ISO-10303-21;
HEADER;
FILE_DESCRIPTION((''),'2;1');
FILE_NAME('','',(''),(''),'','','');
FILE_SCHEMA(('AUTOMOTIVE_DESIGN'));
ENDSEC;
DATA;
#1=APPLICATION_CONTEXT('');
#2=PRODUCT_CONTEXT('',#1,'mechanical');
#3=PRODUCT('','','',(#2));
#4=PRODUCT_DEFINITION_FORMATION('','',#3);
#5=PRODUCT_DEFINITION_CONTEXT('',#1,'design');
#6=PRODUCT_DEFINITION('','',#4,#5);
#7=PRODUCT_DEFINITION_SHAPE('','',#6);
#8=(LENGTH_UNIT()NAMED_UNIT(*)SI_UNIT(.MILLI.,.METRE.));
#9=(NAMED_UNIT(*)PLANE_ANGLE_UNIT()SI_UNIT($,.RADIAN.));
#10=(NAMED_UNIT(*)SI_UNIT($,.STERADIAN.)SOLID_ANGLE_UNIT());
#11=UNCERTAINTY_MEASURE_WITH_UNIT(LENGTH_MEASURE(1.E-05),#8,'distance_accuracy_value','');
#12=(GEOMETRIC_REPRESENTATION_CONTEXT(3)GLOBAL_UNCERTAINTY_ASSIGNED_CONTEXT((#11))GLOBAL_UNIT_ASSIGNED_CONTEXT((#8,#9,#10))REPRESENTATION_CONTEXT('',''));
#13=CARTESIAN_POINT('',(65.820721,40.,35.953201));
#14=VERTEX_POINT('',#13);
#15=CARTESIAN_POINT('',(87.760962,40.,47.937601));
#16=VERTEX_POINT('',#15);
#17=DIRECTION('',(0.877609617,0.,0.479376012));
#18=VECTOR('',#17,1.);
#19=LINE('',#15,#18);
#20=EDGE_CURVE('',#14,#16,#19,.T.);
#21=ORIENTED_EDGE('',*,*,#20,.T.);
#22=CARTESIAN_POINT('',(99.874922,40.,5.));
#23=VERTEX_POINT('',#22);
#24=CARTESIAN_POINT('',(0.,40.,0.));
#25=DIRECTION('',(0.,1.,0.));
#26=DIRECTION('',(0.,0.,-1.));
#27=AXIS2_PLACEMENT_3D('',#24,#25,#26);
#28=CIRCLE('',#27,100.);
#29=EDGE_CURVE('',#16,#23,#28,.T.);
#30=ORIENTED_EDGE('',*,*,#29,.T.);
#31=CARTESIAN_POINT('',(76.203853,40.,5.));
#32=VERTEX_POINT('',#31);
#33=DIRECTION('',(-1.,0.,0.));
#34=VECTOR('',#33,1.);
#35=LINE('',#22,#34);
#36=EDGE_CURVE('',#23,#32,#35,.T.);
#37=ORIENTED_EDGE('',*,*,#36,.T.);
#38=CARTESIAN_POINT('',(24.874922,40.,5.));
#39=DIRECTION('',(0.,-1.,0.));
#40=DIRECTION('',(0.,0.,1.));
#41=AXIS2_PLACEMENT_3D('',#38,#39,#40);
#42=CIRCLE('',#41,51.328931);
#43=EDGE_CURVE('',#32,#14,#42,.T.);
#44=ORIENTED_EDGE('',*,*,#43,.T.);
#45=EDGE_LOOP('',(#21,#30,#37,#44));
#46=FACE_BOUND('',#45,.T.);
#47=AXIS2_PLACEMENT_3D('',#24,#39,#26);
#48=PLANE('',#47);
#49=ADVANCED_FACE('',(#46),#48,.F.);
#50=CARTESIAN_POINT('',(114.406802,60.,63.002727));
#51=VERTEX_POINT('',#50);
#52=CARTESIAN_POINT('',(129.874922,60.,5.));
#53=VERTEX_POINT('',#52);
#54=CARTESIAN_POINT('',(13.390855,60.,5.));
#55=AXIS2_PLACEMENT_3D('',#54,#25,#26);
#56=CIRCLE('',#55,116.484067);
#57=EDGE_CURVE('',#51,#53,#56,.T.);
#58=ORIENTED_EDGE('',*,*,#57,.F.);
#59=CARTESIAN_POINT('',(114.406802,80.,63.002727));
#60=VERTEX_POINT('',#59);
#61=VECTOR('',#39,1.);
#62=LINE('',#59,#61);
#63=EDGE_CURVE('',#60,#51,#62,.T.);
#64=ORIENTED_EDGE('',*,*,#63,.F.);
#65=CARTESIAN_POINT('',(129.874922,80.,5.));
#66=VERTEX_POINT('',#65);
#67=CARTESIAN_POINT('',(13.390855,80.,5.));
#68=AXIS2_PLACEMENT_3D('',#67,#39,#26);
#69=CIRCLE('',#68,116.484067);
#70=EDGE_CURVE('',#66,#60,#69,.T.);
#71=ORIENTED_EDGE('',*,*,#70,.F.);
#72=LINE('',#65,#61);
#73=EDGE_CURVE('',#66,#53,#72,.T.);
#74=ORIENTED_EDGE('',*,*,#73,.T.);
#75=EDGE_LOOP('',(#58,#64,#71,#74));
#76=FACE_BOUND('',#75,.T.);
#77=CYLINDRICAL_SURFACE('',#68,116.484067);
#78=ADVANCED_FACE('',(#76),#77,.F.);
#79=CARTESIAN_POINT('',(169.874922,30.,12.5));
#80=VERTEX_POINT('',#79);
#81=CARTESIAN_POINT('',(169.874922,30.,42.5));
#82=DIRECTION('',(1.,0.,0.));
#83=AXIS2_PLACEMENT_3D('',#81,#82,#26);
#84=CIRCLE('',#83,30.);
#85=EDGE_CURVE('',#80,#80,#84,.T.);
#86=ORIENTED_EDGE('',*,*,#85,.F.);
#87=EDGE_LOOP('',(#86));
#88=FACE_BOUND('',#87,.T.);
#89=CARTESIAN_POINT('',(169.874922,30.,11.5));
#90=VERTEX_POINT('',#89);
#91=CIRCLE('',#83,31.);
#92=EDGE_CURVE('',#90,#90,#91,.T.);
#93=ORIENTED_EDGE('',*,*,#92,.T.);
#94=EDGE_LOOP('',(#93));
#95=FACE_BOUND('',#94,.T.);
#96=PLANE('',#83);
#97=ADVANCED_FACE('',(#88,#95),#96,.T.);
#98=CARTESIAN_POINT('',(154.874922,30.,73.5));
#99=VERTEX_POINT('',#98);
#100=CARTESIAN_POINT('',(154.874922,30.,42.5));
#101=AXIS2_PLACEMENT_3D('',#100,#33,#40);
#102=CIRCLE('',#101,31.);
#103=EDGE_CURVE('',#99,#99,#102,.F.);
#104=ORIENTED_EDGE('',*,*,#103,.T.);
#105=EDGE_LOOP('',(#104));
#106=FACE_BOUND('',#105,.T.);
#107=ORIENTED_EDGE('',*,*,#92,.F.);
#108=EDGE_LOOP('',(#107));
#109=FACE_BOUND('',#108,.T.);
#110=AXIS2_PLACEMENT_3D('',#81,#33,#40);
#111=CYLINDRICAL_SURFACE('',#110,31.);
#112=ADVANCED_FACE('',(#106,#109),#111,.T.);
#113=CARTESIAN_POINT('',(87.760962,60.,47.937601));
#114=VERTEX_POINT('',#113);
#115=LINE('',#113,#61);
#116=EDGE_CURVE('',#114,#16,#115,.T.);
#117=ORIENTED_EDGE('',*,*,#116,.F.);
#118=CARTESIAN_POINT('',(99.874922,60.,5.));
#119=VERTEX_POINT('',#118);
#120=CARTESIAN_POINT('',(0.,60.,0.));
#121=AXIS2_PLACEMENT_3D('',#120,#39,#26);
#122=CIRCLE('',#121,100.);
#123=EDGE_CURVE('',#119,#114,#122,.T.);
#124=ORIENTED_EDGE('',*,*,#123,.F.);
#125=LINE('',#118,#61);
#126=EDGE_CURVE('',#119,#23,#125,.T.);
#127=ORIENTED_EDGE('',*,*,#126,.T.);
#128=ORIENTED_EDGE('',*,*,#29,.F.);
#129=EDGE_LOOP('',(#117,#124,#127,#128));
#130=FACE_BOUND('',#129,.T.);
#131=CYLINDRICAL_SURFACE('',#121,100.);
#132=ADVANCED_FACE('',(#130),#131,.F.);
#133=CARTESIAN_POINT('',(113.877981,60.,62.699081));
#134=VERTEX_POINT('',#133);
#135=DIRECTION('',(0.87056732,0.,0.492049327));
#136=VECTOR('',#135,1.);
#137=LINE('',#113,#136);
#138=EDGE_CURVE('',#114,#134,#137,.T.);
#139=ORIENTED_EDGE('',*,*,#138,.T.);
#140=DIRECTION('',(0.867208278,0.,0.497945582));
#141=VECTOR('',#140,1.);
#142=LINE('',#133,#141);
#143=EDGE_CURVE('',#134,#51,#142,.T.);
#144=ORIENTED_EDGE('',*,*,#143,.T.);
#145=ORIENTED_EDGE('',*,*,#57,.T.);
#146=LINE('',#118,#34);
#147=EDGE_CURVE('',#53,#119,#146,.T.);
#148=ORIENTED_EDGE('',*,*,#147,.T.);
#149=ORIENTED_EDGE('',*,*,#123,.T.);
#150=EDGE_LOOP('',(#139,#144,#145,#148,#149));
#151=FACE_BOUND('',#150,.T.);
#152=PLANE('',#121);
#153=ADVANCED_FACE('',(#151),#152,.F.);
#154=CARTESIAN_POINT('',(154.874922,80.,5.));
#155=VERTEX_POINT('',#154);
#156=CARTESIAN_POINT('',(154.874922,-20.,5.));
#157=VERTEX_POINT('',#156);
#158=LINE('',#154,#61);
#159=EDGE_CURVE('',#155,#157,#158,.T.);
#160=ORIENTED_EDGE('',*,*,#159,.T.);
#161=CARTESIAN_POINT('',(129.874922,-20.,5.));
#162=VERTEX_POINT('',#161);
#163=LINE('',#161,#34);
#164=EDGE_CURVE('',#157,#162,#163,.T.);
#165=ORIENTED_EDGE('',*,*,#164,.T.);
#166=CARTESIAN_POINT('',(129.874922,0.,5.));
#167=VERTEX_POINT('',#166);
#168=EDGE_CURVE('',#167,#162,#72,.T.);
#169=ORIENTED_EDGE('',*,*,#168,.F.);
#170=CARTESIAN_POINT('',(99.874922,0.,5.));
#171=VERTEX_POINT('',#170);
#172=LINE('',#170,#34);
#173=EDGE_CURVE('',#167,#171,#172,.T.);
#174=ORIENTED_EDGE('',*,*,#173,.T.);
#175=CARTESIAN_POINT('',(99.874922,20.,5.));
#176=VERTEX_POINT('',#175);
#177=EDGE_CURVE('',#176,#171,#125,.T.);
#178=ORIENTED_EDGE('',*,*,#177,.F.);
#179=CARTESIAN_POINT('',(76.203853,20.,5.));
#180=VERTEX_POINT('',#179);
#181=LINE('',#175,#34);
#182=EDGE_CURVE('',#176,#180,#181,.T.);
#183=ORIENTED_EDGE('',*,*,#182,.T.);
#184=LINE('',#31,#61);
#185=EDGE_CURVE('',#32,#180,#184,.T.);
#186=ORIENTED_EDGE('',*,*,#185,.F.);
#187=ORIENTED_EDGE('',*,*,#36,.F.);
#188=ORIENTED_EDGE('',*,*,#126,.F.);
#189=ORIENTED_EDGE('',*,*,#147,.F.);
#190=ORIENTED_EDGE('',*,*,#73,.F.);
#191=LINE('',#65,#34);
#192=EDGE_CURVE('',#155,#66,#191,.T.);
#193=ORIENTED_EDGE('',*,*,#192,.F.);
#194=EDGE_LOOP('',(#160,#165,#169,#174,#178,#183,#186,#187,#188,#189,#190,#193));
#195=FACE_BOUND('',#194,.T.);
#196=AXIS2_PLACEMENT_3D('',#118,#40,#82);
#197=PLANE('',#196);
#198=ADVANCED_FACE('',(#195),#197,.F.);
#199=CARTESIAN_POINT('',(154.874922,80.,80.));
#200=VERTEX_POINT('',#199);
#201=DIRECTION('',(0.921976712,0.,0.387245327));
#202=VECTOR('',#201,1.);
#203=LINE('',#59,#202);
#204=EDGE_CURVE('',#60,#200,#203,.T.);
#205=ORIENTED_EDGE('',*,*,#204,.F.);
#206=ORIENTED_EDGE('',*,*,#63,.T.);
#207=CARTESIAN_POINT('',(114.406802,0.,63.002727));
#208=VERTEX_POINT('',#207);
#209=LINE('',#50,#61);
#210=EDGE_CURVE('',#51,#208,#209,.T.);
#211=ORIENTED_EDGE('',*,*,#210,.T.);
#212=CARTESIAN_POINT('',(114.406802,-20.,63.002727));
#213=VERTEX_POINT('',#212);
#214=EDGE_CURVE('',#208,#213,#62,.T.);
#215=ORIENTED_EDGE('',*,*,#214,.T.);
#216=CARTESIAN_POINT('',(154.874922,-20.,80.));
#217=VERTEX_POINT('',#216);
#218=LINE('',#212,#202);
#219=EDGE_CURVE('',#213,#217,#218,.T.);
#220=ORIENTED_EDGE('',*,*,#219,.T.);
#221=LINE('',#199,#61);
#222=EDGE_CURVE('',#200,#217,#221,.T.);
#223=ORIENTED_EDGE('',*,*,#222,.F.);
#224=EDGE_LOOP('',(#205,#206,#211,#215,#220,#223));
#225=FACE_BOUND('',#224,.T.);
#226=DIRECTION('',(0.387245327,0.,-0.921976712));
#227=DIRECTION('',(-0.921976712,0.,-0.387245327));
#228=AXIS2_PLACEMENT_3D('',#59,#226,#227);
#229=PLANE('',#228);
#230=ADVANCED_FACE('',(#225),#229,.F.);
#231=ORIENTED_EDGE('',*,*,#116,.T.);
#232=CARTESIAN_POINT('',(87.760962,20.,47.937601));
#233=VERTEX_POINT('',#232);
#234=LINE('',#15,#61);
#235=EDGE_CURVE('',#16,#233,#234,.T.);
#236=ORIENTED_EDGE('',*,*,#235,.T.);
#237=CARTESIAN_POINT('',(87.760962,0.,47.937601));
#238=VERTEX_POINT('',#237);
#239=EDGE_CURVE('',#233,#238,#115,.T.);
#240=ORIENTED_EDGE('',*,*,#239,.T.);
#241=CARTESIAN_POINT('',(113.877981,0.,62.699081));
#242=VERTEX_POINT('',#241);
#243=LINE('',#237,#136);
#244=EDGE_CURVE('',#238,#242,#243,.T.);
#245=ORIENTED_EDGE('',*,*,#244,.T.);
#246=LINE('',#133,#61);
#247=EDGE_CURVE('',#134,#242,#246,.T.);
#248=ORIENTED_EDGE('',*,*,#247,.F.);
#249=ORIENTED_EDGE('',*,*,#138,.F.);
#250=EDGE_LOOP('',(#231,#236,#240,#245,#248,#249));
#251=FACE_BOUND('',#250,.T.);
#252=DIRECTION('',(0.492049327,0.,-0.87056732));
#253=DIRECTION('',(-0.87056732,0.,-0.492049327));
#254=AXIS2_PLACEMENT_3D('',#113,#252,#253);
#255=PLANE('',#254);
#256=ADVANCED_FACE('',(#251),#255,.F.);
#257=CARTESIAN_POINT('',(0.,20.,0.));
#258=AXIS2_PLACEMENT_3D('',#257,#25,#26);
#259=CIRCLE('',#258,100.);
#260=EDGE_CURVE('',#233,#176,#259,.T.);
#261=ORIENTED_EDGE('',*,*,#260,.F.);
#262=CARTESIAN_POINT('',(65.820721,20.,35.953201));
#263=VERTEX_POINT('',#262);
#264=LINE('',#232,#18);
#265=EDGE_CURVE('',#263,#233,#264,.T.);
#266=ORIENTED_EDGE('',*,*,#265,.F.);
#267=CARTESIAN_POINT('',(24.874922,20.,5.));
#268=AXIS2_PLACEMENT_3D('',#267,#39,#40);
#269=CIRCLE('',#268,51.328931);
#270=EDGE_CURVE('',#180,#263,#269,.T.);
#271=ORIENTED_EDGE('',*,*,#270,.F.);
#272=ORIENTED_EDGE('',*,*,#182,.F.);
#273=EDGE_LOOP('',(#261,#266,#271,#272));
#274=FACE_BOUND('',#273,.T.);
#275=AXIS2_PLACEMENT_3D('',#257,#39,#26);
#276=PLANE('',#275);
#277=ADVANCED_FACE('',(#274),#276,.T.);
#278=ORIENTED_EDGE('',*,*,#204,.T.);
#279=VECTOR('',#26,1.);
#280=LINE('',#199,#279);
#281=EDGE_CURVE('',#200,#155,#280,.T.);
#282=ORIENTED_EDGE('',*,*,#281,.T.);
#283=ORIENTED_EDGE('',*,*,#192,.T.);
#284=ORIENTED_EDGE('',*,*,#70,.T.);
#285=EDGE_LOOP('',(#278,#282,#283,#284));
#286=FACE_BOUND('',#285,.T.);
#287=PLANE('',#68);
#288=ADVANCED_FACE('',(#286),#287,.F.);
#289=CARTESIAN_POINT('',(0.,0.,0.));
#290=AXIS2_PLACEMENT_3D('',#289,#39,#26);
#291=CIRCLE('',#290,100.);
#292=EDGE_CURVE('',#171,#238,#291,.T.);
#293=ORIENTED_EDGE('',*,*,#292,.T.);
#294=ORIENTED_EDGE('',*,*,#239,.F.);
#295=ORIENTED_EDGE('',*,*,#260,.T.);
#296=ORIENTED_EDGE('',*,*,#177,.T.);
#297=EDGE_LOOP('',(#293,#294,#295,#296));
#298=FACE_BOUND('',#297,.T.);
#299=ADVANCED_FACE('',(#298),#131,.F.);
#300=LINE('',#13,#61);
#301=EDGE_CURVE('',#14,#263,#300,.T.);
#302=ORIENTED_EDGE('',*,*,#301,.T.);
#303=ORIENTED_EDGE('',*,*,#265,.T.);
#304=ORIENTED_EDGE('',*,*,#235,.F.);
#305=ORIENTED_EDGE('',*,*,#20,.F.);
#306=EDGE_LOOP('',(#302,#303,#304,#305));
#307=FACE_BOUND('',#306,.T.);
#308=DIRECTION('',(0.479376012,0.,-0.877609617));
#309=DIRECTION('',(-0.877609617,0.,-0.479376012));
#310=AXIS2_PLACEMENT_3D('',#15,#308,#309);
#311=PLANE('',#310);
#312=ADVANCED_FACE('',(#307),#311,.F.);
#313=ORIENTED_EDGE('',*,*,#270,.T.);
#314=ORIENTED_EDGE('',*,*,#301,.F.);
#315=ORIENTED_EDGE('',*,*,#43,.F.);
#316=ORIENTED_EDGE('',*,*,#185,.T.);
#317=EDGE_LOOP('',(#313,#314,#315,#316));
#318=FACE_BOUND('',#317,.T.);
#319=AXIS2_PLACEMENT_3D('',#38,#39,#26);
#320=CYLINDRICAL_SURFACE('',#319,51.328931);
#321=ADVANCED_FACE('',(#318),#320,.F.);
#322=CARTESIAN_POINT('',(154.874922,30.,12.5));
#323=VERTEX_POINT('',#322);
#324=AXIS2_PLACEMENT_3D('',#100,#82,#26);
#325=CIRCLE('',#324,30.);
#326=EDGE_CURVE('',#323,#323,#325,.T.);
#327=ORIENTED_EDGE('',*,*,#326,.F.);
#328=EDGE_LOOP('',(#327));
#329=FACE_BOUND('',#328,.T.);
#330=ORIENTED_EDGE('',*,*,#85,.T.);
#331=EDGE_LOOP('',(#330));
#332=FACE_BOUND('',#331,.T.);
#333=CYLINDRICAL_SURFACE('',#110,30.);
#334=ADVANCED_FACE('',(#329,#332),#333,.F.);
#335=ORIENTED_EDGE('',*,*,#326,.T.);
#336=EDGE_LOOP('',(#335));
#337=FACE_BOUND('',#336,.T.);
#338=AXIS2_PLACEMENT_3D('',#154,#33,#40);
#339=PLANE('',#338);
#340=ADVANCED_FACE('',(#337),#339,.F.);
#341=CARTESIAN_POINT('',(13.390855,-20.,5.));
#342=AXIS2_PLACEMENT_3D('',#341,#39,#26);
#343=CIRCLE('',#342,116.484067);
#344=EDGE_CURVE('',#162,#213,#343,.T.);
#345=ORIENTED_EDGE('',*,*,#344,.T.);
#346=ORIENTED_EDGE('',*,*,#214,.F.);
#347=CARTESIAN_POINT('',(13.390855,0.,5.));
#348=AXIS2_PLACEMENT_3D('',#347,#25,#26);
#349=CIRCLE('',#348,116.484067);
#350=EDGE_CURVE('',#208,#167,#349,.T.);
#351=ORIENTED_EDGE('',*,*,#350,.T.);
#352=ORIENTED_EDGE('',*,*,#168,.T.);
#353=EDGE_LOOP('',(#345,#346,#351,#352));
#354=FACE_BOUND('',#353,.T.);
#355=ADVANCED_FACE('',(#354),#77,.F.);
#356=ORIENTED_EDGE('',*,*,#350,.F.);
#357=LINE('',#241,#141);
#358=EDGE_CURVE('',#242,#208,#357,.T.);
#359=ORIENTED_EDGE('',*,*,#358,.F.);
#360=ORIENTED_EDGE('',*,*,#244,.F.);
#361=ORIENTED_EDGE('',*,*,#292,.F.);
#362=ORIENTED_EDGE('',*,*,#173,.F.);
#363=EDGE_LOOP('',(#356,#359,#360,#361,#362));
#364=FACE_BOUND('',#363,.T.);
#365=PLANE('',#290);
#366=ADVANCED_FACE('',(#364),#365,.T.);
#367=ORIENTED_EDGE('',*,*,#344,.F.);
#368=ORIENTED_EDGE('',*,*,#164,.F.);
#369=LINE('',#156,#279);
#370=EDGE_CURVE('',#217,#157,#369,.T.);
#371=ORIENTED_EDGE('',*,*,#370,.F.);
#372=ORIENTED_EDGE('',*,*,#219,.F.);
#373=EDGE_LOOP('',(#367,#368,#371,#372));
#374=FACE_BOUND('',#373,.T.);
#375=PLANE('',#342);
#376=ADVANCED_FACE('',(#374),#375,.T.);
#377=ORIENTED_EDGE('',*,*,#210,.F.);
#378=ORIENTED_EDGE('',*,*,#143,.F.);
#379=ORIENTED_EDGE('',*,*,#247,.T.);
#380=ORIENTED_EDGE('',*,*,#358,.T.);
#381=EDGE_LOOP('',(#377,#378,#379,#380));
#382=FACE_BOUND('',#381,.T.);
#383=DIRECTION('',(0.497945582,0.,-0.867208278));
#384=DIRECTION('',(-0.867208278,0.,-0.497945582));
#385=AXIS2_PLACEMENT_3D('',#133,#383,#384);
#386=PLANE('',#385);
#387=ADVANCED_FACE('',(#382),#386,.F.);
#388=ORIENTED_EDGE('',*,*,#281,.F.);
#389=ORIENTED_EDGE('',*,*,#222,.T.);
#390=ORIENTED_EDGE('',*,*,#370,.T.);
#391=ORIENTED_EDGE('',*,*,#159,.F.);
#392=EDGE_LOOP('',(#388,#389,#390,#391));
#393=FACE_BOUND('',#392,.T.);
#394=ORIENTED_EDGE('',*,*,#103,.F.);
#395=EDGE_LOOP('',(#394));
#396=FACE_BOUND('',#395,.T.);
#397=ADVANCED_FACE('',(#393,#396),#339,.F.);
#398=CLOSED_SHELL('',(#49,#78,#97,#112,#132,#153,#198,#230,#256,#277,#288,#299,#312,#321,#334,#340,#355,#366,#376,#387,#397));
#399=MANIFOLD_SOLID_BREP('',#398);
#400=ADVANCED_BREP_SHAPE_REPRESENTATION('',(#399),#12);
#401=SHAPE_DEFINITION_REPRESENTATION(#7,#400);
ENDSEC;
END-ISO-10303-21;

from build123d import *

# Parameters (mm, degrees)
BOSS_EXTRUDE1_DEPTH = 60
BOSS_EXTRUDE2_DEPTH = 10
BOSS_EXTRUDE3_DEPTH = 50
SKETCH6_R           = 31
SKETCH6_R_2         = 30
BOSS_EXTRUDE4_DEPTH = 15


with BuildPart() as part:
    # Sketch3 → Boss-Extrude1 (new body)
    with BuildSketch(Plane(origin=(0, 0, 0), x_dir=(1, 0, 0), z_dir=(0, 1, 0))):
        with BuildLine():
            Line((87.760961666, -47.937601186), (113.87798128, -62.699081006))
            Line((113.87798128, -62.699081006), (114.406801927, -63.002726521))
            ThreePointArc((114.406801927, -63.002726521), (125.941479433, -35.014908861), (129.874921777, -5))
            Line((129.874921777, -5), (99.874921777, -5))
            ThreePointArc((99.874921777, -5), (98.598858001, -16.681282954), (95.96133419, -28.132229568))
            ThreePointArc((95.96133419, -28.132229568), (92.393363857, -38.255278265), (87.760961666, -47.937601186))
        make_face()
    extrude(amount=BOSS_EXTRUDE1_DEPTH)

    # Sketch4 → Boss-Extrude2 (add, symmetric)
    with BuildSketch(Plane(origin=(0, 30, 0), x_dir=(1, 0, 0), z_dir=(0, 1, 0))):
        with BuildLine():
            Line((87.760961666, -47.937601186), (65.820721249, -35.95320089))
            ThreePointArc((65.820721249, -35.95320089), (73.538888161, -21.324139043), (76.203852603, -5))
            Line((76.203852603, -5), (99.874921777, -5))
            ThreePointArc((99.874921777, -5), (96.243002799, -27.152981645), (87.760961666, -47.937601186))
        make_face()
    extrude(amount=BOSS_EXTRUDE2_DEPTH, both=True)

    # Sketch5 → Boss-Extrude3 (add, symmetric)
    with BuildSketch(Plane(origin=(0, 30, 0), x_dir=(1, 0, 0), z_dir=(0, 1, 0))):
        with BuildLine():
            Line((129.874921777, -5), (154.874921777, -5))
            Line((154.874921777, -5), (154.874921777, -63.002726521))
            Line((154.874921777, -63.002726521), (154.874921777, -80))
            Line((154.874921777, -80), (114.406801927, -63.002726521))
            ThreePointArc((114.406801927, -63.002726521), (125.941479433, -35.014908861), (129.874921777, -5))
        make_face()
    extrude(amount=BOSS_EXTRUDE3_DEPTH, both=True)

    # Sketch6 → Boss-Extrude4 (add)
    with BuildSketch(Plane(origin=(154.874921777, 0, 0), x_dir=(0, 0, -1), z_dir=(1, 0, 0))):
        with Locations((-42.5, 30)):
            Circle(SKETCH6_R)
        with Locations((-42.5, 30)):
            Circle(SKETCH6_R_2, mode=Mode.SUBTRACT)
    extrude(amount=BOSS_EXTRUDE4_DEPTH)


solid = part.part
